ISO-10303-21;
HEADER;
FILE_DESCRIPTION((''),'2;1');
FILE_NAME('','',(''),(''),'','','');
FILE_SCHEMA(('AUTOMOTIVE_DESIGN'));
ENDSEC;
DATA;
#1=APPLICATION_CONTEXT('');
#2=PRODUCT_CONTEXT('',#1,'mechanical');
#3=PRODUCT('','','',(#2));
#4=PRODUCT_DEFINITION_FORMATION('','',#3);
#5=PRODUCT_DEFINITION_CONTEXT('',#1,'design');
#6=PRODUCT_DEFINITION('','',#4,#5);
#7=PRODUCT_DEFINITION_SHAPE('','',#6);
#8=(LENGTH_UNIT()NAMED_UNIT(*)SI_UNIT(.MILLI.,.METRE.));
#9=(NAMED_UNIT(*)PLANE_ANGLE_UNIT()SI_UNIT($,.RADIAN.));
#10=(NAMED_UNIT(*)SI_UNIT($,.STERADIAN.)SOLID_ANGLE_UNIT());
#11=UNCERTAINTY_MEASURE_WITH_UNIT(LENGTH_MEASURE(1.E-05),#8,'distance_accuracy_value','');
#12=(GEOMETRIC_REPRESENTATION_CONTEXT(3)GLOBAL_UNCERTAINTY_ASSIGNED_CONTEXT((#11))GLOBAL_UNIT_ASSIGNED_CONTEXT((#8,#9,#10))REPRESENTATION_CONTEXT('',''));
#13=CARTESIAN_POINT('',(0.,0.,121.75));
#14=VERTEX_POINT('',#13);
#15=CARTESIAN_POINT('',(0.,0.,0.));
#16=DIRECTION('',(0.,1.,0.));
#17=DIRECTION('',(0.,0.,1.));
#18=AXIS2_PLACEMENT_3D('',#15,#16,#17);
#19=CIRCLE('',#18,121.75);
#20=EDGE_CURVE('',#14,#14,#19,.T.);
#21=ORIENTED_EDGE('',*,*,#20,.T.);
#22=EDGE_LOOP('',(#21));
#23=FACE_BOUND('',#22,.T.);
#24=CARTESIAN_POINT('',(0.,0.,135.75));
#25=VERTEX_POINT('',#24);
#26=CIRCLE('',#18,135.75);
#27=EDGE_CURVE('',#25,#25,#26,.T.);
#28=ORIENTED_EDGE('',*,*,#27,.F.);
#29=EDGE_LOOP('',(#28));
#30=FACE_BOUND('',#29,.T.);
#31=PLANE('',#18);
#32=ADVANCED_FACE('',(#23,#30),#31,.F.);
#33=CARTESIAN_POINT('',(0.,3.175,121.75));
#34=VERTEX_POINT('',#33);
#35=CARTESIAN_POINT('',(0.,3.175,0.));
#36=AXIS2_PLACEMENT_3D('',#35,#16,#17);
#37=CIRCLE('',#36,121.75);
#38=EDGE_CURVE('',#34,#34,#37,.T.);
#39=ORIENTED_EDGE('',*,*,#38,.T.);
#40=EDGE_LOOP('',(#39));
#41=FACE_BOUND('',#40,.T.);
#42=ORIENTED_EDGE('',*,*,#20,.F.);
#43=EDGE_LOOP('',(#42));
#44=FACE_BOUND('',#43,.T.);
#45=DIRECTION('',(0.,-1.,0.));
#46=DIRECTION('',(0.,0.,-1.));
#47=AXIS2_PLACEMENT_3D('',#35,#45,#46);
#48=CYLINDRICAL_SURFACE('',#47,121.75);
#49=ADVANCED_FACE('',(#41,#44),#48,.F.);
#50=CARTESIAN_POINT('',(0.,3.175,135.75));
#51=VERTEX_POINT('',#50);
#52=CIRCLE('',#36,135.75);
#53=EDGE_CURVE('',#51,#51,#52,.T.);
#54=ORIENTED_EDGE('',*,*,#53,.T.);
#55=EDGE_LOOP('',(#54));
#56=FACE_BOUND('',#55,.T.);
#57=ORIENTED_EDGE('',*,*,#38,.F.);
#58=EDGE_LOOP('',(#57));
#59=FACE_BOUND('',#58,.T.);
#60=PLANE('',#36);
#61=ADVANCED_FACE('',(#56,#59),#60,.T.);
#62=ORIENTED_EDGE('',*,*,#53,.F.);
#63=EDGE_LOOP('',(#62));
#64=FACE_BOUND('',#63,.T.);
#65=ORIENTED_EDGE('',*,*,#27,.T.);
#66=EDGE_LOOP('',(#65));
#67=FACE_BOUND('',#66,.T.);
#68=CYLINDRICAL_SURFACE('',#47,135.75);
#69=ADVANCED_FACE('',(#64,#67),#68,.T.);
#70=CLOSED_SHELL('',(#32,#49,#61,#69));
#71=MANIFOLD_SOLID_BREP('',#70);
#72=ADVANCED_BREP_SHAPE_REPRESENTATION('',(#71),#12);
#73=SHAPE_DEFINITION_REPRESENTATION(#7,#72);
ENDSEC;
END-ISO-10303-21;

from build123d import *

# Parameters (mm, degrees)
SKETCH1_R           = 135.75
SKETCH1_R_2         = 121.75
BOSS_EXTRUDE1_DEPTH = 3.175


with BuildPart() as part:
    # Sketch1 → Boss-Extrude1 (new body)
    with BuildSketch(Plane(origin=(0, 0, 0), x_dir=(1, 0, 0), z_dir=(0, 1, 0))):
        Circle(SKETCH1_R)
        Circle(SKETCH1_R_2, mode=Mode.SUBTRACT)
    extrude(amount=BOSS_EXTRUDE1_DEPTH)


solid = part.part
